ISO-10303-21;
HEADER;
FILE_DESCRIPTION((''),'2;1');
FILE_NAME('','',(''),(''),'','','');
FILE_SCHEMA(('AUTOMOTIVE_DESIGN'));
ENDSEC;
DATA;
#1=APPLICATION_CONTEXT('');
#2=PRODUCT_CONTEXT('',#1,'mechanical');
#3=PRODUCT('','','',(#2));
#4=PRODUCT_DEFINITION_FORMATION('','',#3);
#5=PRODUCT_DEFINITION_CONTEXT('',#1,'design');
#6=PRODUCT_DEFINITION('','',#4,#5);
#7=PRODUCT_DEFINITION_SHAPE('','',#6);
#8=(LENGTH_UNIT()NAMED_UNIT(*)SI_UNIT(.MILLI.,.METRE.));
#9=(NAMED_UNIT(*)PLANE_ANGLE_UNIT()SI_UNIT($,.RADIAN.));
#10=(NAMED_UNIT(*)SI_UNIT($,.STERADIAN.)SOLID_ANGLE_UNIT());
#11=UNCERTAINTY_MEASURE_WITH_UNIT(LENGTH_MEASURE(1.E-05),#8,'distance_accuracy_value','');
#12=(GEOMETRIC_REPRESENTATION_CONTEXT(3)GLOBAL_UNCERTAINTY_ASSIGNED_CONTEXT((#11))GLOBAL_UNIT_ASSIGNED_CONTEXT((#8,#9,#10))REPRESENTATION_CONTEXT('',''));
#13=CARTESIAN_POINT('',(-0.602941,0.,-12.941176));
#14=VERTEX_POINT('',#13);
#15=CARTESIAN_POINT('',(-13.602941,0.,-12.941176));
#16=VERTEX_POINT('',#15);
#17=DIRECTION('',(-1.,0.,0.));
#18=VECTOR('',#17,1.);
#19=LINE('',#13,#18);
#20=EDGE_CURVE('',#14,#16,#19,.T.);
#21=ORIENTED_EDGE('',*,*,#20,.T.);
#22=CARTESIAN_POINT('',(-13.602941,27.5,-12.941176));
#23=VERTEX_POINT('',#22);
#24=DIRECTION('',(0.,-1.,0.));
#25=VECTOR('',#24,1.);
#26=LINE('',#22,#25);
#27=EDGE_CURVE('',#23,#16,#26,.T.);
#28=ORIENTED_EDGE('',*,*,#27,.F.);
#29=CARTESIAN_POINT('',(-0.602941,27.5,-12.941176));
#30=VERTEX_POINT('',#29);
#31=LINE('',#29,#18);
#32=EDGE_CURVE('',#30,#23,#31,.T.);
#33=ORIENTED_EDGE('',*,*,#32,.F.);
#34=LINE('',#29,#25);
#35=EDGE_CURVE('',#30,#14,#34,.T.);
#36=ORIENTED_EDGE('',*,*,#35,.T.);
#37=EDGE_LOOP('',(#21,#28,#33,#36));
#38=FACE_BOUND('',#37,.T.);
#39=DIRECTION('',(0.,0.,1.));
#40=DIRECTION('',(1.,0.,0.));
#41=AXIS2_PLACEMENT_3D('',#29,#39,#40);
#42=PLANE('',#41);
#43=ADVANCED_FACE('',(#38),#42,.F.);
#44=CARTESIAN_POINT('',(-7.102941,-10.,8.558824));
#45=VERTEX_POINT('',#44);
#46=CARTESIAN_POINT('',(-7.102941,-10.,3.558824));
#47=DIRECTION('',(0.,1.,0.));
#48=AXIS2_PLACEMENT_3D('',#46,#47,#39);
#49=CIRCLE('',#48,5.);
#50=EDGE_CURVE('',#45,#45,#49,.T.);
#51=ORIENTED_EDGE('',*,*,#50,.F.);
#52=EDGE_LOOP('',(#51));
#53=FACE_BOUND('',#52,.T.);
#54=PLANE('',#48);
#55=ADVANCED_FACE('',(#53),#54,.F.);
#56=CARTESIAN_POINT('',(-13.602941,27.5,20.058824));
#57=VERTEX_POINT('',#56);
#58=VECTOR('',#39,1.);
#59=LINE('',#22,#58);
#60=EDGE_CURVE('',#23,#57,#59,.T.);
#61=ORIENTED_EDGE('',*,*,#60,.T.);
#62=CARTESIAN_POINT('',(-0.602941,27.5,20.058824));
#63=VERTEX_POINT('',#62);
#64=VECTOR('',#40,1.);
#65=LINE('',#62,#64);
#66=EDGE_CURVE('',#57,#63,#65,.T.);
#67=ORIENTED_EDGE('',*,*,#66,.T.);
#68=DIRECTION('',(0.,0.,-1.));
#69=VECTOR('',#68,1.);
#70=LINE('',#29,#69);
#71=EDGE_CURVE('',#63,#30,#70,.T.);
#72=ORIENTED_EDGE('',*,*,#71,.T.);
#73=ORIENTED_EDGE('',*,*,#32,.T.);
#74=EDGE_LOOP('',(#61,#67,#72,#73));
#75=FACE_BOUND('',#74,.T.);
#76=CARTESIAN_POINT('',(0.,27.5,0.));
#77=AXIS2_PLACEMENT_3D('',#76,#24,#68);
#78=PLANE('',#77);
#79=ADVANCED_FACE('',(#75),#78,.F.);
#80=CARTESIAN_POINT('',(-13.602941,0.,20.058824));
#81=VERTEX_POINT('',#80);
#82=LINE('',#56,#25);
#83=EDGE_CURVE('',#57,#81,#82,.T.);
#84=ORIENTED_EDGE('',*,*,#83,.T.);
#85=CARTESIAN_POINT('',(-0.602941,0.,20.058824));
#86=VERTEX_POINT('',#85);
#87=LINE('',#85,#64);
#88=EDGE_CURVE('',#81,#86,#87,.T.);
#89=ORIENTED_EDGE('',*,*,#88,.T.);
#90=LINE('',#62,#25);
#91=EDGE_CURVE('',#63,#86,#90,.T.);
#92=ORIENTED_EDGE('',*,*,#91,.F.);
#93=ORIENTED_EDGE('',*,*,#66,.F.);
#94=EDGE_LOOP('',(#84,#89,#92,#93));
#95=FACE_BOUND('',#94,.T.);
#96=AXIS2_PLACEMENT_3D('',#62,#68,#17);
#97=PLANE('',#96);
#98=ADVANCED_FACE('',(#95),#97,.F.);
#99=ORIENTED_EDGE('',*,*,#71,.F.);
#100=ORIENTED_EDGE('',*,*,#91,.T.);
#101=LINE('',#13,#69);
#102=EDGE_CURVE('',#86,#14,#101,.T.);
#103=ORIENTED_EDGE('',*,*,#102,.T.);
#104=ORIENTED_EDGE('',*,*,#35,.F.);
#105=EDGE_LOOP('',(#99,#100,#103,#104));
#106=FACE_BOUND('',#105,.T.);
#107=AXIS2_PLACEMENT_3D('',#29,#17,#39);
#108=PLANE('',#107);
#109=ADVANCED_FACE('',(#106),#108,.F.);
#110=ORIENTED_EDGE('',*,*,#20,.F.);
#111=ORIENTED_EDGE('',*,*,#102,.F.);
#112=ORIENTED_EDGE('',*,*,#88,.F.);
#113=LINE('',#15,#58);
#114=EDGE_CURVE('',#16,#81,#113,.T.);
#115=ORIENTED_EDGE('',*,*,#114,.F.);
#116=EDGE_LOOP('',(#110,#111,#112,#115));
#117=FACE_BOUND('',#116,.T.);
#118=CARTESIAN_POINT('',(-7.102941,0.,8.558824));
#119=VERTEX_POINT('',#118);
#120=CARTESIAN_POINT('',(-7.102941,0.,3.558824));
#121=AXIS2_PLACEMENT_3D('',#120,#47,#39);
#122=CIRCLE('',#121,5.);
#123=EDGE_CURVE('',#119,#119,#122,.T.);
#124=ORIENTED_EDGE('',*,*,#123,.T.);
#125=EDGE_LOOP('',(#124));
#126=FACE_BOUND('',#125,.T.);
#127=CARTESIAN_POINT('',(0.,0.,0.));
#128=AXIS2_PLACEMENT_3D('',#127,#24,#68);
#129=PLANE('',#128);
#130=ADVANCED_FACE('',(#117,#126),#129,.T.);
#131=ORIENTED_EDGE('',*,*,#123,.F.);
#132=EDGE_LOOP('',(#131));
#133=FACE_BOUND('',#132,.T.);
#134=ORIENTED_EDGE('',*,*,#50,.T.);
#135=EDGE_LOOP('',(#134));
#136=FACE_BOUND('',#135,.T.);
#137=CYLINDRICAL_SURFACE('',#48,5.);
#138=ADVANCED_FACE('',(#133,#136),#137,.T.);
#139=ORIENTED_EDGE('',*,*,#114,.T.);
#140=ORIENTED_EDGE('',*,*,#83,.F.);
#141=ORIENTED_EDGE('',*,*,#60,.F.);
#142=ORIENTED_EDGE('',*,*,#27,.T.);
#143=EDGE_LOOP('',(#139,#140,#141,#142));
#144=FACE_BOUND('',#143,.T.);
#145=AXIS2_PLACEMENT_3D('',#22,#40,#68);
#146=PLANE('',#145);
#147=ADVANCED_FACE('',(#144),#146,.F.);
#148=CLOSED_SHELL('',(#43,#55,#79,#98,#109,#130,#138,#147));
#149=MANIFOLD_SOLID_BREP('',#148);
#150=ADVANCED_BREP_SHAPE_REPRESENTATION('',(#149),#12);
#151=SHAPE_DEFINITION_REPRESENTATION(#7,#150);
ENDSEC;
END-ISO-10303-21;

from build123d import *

# Parameters (mm, degrees)
SKIZZE1_W                       = 13
SKIZZE1_H                       = 33
AUFSATZ_LINEAR_AUSTRAGEN1_DEPTH = 27.5
SKIZZE2_R                       = 5
AUFSATZ_LINEAR_AUSTRAGEN2_DEPTH = 10


with BuildPart() as part:
    # Skizze1 → Aufsatz-Linear austragen1 (new body)
    with BuildSketch(Plane(origin=(0, 0, 0), x_dir=(1, 0, 0), z_dir=(0, 1, 0))):
        with Locations((-7.102941176, -3.558823529)):
            Rectangle(SKIZZE1_W, SKIZZE1_H)
    extrude(amount=AUFSATZ_LINEAR_AUSTRAGEN1_DEPTH)

    # Skizze2 → Aufsatz-Linear austragen2 (add)
    with BuildSketch(Plane(origin=(0, 0, 0), x_dir=(1, 0, 0), z_dir=(0, 1, 0))):
        with Locations((-7.102941176, -3.558823529)):
            Circle(SKIZZE2_R)
    extrude(amount=-AUFSATZ_LINEAR_AUSTRAGEN2_DEPTH)


solid = part.part
